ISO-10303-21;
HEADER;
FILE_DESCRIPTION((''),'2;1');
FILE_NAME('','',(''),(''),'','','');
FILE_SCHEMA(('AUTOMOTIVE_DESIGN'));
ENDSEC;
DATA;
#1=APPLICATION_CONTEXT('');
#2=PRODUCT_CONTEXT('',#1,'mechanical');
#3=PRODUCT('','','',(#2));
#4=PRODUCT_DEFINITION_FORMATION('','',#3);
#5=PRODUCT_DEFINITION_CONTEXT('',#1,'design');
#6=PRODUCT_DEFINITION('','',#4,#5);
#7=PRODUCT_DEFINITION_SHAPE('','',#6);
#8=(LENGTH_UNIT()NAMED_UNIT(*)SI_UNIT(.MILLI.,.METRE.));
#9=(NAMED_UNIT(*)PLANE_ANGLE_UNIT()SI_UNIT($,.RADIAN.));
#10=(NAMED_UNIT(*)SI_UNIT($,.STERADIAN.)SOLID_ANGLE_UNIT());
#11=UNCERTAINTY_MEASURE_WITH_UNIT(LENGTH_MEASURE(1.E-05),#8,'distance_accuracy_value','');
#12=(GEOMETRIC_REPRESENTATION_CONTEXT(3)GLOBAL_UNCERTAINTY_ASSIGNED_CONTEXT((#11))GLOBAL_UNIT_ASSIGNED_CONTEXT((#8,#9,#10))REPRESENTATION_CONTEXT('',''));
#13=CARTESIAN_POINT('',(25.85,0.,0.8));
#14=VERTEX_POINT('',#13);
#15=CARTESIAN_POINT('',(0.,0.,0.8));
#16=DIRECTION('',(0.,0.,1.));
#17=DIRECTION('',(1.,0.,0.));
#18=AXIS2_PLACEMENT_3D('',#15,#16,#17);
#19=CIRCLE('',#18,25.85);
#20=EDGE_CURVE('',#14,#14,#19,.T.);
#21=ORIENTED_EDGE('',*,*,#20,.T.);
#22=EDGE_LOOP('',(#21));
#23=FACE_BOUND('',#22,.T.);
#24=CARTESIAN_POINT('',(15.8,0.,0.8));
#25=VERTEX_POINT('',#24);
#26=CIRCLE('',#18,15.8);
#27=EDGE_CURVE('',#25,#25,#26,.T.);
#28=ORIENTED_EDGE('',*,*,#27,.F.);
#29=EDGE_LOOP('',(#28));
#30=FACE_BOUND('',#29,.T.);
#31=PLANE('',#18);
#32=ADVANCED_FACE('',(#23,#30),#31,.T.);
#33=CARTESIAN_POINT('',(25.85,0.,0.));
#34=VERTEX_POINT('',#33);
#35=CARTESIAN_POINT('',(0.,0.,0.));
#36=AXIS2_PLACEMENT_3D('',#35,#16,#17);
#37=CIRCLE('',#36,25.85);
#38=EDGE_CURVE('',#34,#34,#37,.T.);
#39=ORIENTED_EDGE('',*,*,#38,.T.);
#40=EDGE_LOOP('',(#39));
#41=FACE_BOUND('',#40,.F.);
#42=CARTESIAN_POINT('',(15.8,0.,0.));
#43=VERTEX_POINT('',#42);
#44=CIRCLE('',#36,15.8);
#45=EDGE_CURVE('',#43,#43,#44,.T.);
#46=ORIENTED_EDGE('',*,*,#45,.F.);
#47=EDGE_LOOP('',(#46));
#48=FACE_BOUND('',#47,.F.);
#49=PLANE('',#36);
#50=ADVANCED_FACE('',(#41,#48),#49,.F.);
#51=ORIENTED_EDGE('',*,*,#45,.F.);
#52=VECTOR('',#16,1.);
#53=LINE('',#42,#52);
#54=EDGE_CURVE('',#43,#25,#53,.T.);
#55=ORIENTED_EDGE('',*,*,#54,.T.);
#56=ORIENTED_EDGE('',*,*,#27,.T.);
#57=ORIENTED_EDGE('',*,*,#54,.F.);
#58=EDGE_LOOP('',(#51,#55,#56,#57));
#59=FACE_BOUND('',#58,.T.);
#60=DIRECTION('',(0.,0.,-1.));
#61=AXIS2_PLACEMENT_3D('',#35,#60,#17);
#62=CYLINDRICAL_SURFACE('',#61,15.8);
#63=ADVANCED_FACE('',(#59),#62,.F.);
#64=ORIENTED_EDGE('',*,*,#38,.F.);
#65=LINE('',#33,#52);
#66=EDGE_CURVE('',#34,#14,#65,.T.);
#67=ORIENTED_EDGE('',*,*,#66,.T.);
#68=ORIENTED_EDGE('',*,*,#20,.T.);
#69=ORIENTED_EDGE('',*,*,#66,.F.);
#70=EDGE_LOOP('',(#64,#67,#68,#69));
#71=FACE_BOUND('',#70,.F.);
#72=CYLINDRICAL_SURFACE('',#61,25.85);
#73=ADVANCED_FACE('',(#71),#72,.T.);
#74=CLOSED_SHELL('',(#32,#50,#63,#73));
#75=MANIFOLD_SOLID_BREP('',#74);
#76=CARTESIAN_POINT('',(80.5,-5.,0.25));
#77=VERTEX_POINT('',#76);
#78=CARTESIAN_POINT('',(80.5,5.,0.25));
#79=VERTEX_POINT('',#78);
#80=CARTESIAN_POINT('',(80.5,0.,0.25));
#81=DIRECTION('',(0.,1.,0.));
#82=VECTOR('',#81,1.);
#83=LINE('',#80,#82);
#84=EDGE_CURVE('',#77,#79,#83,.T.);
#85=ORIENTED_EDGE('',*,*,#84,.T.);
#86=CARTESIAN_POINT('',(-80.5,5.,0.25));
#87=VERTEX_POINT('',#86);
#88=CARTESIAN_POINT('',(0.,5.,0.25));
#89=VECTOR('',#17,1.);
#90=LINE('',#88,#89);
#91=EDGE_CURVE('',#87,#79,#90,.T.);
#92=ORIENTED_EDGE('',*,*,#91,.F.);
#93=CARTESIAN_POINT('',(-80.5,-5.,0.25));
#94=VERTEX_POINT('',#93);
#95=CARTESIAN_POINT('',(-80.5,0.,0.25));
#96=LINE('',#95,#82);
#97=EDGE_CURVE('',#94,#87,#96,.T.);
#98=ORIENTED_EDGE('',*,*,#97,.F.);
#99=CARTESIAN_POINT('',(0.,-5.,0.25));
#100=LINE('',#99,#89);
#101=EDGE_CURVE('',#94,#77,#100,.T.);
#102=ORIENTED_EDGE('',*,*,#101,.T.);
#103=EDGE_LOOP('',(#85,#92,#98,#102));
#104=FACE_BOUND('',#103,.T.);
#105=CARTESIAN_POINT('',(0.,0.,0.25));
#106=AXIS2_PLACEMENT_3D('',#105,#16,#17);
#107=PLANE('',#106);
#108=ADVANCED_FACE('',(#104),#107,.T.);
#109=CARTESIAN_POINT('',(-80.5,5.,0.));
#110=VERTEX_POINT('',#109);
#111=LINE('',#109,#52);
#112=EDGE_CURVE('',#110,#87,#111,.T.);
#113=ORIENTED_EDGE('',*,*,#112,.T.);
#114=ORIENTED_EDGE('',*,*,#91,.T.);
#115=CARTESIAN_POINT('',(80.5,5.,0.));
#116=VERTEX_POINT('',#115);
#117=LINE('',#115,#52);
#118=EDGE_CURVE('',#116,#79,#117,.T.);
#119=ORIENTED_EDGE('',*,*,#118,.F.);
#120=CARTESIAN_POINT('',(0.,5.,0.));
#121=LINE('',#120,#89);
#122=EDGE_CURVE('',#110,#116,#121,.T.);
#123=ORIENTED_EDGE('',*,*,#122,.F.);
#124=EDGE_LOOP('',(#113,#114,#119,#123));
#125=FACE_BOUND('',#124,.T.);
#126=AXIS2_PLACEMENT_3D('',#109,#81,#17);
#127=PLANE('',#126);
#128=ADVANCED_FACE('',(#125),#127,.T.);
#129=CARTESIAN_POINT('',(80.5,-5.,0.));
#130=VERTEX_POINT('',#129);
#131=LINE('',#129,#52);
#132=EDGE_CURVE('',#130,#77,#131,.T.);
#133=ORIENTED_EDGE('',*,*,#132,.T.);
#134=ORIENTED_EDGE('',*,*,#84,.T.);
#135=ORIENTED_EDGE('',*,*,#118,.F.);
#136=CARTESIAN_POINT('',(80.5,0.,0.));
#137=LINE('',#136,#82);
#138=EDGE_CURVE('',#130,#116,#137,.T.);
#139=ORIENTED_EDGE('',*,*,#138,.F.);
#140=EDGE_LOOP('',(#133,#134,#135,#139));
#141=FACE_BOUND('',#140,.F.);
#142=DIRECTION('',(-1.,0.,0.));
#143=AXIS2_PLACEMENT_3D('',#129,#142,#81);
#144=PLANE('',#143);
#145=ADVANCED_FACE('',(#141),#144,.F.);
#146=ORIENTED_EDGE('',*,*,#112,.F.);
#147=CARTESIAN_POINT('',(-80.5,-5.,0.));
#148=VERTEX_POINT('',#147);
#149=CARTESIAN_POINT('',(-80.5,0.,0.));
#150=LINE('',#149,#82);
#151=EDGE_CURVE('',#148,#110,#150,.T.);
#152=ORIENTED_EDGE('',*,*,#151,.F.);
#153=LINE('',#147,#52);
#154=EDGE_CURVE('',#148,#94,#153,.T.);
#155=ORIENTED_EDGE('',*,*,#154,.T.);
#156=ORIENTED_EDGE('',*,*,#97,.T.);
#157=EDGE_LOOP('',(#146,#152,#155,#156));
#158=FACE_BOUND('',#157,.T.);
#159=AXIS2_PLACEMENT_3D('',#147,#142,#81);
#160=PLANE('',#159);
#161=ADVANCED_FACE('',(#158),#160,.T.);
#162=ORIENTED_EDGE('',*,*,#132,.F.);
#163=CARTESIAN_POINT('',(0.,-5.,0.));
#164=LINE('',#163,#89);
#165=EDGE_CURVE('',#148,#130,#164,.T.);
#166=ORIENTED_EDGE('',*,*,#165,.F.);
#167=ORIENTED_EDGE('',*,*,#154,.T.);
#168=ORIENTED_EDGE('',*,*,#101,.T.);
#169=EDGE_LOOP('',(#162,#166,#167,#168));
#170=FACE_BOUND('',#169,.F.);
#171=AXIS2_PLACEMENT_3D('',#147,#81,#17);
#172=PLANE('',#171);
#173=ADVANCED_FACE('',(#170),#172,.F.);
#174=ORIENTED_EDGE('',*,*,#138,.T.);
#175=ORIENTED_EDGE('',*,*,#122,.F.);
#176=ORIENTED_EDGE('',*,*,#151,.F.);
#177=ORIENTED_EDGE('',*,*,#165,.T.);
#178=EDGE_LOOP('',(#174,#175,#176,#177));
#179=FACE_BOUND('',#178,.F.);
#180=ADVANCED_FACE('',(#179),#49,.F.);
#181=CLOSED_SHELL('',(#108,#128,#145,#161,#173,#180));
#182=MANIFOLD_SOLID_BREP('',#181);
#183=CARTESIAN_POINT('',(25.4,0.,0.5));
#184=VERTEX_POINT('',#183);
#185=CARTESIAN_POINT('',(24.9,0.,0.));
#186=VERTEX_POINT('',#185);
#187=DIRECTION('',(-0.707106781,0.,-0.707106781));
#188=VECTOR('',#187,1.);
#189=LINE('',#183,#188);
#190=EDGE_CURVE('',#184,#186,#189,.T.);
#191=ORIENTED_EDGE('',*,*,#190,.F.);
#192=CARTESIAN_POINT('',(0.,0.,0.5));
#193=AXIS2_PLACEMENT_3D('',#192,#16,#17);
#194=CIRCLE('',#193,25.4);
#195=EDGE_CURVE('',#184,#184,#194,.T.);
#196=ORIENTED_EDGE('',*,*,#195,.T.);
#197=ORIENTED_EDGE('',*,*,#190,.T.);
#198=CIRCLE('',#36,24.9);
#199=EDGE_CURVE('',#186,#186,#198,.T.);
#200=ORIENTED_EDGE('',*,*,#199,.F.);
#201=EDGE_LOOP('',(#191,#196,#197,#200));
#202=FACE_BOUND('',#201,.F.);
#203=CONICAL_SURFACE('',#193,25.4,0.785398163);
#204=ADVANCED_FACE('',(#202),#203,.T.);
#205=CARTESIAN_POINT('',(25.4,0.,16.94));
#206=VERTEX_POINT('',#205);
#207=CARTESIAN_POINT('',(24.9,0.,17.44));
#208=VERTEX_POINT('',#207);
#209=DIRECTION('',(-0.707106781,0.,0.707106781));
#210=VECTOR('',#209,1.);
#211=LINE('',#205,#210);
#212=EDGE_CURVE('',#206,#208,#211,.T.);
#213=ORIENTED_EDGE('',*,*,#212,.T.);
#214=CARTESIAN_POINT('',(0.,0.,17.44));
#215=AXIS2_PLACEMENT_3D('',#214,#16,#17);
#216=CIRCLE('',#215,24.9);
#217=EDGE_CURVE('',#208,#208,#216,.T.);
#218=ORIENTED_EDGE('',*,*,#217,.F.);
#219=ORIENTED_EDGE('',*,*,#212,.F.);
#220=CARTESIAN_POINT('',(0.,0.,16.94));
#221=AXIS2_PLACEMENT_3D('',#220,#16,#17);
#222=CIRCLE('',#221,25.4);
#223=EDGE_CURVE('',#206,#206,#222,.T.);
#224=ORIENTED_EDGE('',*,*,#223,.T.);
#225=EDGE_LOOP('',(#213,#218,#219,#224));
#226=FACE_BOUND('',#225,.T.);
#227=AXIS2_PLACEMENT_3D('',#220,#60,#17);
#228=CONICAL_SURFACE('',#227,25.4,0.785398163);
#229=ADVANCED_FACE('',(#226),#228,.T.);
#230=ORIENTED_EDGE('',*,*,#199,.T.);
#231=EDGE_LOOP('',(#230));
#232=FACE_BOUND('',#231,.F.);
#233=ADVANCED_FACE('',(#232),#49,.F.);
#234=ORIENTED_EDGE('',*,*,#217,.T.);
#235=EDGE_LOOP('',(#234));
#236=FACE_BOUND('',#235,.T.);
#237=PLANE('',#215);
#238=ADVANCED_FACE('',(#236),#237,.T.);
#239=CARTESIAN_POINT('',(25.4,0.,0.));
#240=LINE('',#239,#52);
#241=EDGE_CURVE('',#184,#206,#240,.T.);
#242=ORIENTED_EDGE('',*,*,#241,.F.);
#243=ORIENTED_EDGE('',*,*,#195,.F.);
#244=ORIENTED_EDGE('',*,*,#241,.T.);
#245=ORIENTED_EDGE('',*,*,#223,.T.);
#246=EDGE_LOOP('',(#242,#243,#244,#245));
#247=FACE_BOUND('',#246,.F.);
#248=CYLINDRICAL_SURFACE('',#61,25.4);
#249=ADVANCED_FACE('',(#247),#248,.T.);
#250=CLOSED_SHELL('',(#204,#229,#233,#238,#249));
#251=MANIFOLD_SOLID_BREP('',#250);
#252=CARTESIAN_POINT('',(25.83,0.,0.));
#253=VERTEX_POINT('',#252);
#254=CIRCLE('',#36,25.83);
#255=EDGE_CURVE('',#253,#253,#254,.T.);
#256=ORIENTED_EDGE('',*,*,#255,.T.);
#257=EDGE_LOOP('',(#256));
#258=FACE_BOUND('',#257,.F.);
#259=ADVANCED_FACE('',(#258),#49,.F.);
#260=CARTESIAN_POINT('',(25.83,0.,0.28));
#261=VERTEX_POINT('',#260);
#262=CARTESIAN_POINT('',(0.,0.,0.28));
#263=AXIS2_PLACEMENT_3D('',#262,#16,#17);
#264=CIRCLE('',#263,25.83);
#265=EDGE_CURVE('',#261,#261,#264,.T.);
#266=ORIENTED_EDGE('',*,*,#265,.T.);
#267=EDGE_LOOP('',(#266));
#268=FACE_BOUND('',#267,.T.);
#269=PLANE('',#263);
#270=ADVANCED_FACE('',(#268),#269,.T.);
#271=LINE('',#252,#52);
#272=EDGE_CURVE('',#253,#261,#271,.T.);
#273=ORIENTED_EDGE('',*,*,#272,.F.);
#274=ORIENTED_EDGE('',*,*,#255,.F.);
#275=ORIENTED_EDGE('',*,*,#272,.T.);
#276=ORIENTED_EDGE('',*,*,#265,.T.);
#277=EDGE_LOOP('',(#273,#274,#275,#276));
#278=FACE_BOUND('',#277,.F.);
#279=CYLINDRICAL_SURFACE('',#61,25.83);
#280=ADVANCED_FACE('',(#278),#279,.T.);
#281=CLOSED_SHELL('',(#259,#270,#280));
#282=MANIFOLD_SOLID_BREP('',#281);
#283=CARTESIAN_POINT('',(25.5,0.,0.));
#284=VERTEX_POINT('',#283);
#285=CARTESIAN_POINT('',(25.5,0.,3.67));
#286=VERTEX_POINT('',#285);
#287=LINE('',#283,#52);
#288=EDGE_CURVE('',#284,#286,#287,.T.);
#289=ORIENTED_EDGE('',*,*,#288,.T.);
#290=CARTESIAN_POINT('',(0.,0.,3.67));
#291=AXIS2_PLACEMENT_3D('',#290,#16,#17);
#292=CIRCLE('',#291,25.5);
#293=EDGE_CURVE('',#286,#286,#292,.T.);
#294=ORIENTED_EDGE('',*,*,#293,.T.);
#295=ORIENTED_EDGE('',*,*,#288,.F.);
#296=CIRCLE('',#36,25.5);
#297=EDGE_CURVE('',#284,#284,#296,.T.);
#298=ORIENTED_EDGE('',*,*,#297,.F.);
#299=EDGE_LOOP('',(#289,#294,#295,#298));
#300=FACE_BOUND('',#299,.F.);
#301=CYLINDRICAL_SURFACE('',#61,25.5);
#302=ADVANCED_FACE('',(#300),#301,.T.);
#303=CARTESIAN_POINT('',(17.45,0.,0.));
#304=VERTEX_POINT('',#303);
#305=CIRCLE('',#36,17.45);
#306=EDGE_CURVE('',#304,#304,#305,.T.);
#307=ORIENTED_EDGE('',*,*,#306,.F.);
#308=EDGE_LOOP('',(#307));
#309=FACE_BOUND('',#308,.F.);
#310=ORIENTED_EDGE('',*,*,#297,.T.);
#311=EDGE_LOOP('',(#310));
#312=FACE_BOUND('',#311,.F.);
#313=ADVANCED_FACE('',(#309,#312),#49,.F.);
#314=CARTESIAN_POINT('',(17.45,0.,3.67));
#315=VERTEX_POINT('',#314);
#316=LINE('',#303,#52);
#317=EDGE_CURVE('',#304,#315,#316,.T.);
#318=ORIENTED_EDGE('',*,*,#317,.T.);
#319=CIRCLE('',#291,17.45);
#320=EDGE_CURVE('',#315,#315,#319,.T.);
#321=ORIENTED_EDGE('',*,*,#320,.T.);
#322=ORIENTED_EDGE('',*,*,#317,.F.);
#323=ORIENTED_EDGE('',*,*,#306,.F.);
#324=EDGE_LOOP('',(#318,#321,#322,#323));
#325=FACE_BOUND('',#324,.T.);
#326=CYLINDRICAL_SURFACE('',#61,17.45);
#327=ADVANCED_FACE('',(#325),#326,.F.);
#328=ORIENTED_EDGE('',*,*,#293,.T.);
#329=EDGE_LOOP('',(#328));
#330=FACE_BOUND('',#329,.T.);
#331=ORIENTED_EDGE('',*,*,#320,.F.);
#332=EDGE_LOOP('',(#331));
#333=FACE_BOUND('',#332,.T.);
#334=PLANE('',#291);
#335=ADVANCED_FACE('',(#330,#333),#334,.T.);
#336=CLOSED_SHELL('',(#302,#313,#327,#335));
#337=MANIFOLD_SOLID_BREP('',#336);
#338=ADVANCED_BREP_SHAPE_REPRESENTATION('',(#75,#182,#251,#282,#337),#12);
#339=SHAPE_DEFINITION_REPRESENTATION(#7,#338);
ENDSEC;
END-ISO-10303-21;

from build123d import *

# Parameters (mm, degrees)
F0_R      = 25.4
F1_DEPTH  = 17.44
F2_R      = 25.85
F2_R_2    = 15.8
F3_DEPTH  = 0.8
F4_R      = 25.5
F4_R_2    = 17.45
F5_DEPTH  = 3.67
F6_R      = 25.83
F7_DEPTH  = 0.28
F8_SIZE   = 0.5
F9_W      = 161
F9_H      = 10
F10_DEPTH = 0.25


with BuildPart() as f1:
    # F0 (on Top) → F1 (new body)
    with BuildSketch(Plane.XY):
        Circle(F0_R)
    extrude(amount=F1_DEPTH)

    # F8
    f8_edges = [f1.edges().sort_by_distance(p)[0] for p in [
        (-25.4, 0, 17.44),
        (-25.4, 0, 0),
    ]]
    chamfer(f8_edges, length=F8_SIZE)


with BuildPart() as f3:
    # F2 (on Top) → F3 (new body)
    with BuildSketch(Plane.XY):
        Circle(F2_R)
        Circle(F2_R_2, mode=Mode.SUBTRACT)
    extrude(amount=F3_DEPTH)


with BuildPart() as f5:
    # F4 (on Top) → F5 (new body)
    with BuildSketch(Plane.XY):
        Circle(F4_R)
        Circle(F4_R_2, mode=Mode.SUBTRACT)
    extrude(amount=F5_DEPTH)


with BuildPart() as f7:
    # F6 (on Top) → F7 (new body)
    with BuildSketch(Plane.XY):
        Circle(F6_R)
    extrude(amount=F7_DEPTH)


with BuildPart() as f10:
    # F9 (on Top) → F10 (new body)
    with BuildSketch(Plane.XY):
        Rectangle(F9_W, F9_H)
    extrude(amount=F10_DEPTH)


solid = Compound([f1.part, f3.part, f5.part, f7.part, f10.part])
